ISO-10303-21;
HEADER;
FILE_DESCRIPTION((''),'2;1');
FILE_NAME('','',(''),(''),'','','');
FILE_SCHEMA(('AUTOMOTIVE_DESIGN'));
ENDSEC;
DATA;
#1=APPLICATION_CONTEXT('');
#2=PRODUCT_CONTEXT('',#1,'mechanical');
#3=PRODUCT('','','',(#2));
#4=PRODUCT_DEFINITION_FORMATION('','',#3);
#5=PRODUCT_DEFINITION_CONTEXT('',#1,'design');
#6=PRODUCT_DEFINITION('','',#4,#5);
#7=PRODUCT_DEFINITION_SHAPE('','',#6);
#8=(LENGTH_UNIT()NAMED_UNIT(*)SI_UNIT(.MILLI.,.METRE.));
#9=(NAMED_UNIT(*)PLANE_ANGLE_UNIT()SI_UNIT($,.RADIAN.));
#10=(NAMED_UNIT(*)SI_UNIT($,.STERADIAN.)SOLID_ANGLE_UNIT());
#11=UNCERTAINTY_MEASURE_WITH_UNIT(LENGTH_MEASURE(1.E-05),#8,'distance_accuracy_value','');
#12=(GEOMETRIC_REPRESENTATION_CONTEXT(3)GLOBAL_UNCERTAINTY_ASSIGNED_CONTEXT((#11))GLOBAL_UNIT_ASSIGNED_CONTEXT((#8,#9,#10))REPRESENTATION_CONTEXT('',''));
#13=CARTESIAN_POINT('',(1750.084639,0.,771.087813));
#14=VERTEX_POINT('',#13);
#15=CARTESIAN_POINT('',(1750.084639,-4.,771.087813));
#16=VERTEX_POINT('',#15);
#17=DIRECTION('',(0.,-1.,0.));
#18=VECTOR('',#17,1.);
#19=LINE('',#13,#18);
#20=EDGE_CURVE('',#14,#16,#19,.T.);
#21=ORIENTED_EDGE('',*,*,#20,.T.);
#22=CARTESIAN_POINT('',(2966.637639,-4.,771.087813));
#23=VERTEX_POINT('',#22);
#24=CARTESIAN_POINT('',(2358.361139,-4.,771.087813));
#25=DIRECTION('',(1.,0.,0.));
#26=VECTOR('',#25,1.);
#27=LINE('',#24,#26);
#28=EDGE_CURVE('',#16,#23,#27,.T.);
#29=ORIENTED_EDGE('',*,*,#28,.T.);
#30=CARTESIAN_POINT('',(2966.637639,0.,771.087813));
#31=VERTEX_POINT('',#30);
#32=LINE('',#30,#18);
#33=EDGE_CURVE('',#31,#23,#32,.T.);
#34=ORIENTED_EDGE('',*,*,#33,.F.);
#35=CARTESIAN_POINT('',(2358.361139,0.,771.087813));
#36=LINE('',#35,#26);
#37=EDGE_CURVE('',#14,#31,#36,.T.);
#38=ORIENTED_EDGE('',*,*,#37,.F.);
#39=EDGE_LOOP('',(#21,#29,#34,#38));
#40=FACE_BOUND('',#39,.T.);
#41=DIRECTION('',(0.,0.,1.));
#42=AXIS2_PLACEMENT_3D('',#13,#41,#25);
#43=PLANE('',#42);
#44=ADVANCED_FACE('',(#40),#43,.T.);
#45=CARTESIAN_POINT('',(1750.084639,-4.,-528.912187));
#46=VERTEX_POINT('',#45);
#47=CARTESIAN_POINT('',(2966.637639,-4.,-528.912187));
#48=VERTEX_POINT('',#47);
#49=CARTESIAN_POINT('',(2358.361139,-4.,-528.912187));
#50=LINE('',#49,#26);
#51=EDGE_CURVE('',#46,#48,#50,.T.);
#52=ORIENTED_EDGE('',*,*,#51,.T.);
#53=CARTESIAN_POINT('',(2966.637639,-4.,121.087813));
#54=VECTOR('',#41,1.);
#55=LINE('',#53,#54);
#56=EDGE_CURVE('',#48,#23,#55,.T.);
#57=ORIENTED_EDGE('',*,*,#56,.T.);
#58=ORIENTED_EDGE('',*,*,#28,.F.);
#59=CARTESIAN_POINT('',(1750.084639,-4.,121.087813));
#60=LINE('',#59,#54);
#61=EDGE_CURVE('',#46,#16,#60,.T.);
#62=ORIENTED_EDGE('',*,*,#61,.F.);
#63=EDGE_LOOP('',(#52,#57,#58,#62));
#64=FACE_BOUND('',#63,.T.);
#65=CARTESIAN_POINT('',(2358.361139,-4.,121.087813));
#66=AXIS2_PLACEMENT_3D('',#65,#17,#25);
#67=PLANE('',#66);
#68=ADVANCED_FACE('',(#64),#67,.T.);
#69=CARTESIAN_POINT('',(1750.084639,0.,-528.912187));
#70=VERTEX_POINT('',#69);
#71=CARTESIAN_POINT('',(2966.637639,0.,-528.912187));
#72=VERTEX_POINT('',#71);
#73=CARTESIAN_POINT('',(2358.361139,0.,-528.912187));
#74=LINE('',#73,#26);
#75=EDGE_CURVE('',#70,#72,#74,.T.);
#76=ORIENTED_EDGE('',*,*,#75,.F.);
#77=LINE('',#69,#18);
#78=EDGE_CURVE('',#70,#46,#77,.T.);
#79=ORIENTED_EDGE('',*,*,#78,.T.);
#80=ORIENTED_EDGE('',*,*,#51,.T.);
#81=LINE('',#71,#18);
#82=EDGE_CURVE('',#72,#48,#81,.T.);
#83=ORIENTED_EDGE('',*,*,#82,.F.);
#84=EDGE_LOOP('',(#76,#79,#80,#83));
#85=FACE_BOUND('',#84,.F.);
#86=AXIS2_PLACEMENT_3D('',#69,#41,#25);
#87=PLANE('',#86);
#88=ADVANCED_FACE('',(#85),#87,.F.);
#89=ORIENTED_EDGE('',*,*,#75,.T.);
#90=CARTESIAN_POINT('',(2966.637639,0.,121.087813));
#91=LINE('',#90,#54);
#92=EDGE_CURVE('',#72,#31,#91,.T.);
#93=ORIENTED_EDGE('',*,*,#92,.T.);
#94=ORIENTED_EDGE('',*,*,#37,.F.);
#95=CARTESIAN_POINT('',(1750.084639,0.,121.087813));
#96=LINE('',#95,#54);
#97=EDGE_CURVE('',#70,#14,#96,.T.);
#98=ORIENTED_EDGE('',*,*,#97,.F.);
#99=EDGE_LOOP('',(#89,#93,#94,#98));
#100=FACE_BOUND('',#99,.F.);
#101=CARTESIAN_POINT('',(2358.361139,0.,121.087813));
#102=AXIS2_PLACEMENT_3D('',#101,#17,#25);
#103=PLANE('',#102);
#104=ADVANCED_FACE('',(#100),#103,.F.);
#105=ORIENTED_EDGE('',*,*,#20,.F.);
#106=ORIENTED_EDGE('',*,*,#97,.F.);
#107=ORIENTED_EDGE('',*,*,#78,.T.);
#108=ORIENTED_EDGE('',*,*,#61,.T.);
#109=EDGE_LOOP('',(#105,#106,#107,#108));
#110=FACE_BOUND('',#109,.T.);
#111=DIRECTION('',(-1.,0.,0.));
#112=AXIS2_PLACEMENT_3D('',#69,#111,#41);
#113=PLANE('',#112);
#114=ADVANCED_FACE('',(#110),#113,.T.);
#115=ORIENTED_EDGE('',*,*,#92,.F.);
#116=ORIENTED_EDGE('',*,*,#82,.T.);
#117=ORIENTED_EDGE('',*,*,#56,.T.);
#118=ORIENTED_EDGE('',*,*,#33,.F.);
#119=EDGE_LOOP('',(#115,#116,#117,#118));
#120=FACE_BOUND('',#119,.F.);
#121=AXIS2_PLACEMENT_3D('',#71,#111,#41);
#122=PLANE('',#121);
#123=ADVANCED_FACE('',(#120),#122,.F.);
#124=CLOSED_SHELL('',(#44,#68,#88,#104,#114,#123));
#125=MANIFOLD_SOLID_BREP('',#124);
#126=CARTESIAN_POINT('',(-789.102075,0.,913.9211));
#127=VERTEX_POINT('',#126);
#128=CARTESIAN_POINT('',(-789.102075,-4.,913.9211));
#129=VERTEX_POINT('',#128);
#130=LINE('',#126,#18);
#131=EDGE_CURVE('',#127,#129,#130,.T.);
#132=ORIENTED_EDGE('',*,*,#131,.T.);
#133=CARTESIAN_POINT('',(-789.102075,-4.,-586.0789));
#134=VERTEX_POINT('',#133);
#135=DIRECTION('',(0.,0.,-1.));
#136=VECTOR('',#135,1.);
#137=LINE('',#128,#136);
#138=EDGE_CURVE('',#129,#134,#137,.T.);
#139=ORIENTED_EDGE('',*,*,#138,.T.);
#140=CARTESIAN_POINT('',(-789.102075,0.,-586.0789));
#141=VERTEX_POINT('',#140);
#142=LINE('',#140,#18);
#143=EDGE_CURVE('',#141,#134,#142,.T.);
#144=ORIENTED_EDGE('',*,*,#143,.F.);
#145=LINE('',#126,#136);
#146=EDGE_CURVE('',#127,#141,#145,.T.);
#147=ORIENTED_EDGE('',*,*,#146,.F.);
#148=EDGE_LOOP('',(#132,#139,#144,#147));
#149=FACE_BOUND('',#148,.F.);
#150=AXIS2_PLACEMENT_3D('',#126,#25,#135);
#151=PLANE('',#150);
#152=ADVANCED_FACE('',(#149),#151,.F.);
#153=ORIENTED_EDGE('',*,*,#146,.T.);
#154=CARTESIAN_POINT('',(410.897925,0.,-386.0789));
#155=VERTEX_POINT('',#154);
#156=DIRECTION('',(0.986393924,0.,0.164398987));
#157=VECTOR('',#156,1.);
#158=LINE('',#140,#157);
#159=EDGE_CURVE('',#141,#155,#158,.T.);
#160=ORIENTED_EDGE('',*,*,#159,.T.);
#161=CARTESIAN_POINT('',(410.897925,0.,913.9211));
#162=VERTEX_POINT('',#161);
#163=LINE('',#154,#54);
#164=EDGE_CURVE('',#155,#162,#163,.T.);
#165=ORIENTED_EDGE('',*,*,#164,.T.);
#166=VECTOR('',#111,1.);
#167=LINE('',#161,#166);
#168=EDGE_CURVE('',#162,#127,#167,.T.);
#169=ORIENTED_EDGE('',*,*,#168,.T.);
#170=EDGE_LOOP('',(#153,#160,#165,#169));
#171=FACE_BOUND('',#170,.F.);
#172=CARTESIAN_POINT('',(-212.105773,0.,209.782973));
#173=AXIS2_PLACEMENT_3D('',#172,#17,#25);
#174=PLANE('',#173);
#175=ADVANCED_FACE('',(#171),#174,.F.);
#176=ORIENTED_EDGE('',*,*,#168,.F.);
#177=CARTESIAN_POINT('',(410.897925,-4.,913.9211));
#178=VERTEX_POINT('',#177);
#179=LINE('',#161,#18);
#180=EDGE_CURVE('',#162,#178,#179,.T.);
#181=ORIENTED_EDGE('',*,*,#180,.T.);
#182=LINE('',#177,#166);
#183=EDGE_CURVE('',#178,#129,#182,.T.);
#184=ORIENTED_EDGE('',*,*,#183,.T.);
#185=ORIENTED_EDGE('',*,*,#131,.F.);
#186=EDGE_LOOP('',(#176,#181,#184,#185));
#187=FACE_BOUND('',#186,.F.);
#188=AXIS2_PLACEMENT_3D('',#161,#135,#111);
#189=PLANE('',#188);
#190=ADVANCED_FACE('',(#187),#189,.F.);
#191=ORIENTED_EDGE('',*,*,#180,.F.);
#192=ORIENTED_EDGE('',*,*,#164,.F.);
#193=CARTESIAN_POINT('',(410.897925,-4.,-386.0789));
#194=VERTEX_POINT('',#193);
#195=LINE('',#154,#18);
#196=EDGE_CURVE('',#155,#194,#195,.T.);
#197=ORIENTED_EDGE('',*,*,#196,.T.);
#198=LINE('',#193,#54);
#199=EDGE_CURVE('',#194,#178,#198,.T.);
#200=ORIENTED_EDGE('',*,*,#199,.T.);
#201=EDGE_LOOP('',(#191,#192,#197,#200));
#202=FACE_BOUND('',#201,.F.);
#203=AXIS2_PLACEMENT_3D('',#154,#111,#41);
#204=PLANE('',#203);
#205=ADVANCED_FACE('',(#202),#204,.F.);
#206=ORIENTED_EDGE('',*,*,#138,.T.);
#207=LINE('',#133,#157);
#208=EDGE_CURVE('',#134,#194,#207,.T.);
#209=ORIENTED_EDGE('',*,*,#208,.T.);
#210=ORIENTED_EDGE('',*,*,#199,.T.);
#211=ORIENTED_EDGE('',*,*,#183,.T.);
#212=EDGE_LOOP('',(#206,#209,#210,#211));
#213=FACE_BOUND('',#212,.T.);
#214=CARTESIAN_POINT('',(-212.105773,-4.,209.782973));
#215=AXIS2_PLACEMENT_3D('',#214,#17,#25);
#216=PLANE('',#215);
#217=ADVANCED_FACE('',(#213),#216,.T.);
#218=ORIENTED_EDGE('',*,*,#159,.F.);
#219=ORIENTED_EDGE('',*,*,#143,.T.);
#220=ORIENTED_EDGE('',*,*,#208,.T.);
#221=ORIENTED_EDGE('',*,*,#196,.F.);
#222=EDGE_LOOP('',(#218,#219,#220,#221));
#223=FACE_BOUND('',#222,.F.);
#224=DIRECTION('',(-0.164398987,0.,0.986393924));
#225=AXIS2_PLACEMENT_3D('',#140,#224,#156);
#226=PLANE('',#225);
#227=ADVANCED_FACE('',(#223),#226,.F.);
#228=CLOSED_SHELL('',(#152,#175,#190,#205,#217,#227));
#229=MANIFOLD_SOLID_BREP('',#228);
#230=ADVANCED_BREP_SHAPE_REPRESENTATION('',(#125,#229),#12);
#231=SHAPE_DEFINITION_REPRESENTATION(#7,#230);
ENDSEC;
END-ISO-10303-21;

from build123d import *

# Parameters (mm, degrees)
F1_DEPTH = 4
F0_W     = 1216.553
F0_H     = 1300
F2_DEPTH = 4


with BuildPart() as f1:
    # F0 (on Front) → F1 (new body)
    with BuildSketch(Plane.XZ):
        Polygon((410.897925, 913.9211), (-789.102075, 913.9211), (-789.102075, -586.0789), (410.897925, -386.0789), align=None)
    extrude(amount=F1_DEPTH)


with BuildPart() as f2:
    # F0 (on Front) → F2 (new body)
    with BuildSketch(Plane.XZ):
        with Locations((2358.361139, 121.087813)):
            Rectangle(F0_W, F0_H)
    extrude(amount=F2_DEPTH)


solid = Compound([f1.part, f2.part])
